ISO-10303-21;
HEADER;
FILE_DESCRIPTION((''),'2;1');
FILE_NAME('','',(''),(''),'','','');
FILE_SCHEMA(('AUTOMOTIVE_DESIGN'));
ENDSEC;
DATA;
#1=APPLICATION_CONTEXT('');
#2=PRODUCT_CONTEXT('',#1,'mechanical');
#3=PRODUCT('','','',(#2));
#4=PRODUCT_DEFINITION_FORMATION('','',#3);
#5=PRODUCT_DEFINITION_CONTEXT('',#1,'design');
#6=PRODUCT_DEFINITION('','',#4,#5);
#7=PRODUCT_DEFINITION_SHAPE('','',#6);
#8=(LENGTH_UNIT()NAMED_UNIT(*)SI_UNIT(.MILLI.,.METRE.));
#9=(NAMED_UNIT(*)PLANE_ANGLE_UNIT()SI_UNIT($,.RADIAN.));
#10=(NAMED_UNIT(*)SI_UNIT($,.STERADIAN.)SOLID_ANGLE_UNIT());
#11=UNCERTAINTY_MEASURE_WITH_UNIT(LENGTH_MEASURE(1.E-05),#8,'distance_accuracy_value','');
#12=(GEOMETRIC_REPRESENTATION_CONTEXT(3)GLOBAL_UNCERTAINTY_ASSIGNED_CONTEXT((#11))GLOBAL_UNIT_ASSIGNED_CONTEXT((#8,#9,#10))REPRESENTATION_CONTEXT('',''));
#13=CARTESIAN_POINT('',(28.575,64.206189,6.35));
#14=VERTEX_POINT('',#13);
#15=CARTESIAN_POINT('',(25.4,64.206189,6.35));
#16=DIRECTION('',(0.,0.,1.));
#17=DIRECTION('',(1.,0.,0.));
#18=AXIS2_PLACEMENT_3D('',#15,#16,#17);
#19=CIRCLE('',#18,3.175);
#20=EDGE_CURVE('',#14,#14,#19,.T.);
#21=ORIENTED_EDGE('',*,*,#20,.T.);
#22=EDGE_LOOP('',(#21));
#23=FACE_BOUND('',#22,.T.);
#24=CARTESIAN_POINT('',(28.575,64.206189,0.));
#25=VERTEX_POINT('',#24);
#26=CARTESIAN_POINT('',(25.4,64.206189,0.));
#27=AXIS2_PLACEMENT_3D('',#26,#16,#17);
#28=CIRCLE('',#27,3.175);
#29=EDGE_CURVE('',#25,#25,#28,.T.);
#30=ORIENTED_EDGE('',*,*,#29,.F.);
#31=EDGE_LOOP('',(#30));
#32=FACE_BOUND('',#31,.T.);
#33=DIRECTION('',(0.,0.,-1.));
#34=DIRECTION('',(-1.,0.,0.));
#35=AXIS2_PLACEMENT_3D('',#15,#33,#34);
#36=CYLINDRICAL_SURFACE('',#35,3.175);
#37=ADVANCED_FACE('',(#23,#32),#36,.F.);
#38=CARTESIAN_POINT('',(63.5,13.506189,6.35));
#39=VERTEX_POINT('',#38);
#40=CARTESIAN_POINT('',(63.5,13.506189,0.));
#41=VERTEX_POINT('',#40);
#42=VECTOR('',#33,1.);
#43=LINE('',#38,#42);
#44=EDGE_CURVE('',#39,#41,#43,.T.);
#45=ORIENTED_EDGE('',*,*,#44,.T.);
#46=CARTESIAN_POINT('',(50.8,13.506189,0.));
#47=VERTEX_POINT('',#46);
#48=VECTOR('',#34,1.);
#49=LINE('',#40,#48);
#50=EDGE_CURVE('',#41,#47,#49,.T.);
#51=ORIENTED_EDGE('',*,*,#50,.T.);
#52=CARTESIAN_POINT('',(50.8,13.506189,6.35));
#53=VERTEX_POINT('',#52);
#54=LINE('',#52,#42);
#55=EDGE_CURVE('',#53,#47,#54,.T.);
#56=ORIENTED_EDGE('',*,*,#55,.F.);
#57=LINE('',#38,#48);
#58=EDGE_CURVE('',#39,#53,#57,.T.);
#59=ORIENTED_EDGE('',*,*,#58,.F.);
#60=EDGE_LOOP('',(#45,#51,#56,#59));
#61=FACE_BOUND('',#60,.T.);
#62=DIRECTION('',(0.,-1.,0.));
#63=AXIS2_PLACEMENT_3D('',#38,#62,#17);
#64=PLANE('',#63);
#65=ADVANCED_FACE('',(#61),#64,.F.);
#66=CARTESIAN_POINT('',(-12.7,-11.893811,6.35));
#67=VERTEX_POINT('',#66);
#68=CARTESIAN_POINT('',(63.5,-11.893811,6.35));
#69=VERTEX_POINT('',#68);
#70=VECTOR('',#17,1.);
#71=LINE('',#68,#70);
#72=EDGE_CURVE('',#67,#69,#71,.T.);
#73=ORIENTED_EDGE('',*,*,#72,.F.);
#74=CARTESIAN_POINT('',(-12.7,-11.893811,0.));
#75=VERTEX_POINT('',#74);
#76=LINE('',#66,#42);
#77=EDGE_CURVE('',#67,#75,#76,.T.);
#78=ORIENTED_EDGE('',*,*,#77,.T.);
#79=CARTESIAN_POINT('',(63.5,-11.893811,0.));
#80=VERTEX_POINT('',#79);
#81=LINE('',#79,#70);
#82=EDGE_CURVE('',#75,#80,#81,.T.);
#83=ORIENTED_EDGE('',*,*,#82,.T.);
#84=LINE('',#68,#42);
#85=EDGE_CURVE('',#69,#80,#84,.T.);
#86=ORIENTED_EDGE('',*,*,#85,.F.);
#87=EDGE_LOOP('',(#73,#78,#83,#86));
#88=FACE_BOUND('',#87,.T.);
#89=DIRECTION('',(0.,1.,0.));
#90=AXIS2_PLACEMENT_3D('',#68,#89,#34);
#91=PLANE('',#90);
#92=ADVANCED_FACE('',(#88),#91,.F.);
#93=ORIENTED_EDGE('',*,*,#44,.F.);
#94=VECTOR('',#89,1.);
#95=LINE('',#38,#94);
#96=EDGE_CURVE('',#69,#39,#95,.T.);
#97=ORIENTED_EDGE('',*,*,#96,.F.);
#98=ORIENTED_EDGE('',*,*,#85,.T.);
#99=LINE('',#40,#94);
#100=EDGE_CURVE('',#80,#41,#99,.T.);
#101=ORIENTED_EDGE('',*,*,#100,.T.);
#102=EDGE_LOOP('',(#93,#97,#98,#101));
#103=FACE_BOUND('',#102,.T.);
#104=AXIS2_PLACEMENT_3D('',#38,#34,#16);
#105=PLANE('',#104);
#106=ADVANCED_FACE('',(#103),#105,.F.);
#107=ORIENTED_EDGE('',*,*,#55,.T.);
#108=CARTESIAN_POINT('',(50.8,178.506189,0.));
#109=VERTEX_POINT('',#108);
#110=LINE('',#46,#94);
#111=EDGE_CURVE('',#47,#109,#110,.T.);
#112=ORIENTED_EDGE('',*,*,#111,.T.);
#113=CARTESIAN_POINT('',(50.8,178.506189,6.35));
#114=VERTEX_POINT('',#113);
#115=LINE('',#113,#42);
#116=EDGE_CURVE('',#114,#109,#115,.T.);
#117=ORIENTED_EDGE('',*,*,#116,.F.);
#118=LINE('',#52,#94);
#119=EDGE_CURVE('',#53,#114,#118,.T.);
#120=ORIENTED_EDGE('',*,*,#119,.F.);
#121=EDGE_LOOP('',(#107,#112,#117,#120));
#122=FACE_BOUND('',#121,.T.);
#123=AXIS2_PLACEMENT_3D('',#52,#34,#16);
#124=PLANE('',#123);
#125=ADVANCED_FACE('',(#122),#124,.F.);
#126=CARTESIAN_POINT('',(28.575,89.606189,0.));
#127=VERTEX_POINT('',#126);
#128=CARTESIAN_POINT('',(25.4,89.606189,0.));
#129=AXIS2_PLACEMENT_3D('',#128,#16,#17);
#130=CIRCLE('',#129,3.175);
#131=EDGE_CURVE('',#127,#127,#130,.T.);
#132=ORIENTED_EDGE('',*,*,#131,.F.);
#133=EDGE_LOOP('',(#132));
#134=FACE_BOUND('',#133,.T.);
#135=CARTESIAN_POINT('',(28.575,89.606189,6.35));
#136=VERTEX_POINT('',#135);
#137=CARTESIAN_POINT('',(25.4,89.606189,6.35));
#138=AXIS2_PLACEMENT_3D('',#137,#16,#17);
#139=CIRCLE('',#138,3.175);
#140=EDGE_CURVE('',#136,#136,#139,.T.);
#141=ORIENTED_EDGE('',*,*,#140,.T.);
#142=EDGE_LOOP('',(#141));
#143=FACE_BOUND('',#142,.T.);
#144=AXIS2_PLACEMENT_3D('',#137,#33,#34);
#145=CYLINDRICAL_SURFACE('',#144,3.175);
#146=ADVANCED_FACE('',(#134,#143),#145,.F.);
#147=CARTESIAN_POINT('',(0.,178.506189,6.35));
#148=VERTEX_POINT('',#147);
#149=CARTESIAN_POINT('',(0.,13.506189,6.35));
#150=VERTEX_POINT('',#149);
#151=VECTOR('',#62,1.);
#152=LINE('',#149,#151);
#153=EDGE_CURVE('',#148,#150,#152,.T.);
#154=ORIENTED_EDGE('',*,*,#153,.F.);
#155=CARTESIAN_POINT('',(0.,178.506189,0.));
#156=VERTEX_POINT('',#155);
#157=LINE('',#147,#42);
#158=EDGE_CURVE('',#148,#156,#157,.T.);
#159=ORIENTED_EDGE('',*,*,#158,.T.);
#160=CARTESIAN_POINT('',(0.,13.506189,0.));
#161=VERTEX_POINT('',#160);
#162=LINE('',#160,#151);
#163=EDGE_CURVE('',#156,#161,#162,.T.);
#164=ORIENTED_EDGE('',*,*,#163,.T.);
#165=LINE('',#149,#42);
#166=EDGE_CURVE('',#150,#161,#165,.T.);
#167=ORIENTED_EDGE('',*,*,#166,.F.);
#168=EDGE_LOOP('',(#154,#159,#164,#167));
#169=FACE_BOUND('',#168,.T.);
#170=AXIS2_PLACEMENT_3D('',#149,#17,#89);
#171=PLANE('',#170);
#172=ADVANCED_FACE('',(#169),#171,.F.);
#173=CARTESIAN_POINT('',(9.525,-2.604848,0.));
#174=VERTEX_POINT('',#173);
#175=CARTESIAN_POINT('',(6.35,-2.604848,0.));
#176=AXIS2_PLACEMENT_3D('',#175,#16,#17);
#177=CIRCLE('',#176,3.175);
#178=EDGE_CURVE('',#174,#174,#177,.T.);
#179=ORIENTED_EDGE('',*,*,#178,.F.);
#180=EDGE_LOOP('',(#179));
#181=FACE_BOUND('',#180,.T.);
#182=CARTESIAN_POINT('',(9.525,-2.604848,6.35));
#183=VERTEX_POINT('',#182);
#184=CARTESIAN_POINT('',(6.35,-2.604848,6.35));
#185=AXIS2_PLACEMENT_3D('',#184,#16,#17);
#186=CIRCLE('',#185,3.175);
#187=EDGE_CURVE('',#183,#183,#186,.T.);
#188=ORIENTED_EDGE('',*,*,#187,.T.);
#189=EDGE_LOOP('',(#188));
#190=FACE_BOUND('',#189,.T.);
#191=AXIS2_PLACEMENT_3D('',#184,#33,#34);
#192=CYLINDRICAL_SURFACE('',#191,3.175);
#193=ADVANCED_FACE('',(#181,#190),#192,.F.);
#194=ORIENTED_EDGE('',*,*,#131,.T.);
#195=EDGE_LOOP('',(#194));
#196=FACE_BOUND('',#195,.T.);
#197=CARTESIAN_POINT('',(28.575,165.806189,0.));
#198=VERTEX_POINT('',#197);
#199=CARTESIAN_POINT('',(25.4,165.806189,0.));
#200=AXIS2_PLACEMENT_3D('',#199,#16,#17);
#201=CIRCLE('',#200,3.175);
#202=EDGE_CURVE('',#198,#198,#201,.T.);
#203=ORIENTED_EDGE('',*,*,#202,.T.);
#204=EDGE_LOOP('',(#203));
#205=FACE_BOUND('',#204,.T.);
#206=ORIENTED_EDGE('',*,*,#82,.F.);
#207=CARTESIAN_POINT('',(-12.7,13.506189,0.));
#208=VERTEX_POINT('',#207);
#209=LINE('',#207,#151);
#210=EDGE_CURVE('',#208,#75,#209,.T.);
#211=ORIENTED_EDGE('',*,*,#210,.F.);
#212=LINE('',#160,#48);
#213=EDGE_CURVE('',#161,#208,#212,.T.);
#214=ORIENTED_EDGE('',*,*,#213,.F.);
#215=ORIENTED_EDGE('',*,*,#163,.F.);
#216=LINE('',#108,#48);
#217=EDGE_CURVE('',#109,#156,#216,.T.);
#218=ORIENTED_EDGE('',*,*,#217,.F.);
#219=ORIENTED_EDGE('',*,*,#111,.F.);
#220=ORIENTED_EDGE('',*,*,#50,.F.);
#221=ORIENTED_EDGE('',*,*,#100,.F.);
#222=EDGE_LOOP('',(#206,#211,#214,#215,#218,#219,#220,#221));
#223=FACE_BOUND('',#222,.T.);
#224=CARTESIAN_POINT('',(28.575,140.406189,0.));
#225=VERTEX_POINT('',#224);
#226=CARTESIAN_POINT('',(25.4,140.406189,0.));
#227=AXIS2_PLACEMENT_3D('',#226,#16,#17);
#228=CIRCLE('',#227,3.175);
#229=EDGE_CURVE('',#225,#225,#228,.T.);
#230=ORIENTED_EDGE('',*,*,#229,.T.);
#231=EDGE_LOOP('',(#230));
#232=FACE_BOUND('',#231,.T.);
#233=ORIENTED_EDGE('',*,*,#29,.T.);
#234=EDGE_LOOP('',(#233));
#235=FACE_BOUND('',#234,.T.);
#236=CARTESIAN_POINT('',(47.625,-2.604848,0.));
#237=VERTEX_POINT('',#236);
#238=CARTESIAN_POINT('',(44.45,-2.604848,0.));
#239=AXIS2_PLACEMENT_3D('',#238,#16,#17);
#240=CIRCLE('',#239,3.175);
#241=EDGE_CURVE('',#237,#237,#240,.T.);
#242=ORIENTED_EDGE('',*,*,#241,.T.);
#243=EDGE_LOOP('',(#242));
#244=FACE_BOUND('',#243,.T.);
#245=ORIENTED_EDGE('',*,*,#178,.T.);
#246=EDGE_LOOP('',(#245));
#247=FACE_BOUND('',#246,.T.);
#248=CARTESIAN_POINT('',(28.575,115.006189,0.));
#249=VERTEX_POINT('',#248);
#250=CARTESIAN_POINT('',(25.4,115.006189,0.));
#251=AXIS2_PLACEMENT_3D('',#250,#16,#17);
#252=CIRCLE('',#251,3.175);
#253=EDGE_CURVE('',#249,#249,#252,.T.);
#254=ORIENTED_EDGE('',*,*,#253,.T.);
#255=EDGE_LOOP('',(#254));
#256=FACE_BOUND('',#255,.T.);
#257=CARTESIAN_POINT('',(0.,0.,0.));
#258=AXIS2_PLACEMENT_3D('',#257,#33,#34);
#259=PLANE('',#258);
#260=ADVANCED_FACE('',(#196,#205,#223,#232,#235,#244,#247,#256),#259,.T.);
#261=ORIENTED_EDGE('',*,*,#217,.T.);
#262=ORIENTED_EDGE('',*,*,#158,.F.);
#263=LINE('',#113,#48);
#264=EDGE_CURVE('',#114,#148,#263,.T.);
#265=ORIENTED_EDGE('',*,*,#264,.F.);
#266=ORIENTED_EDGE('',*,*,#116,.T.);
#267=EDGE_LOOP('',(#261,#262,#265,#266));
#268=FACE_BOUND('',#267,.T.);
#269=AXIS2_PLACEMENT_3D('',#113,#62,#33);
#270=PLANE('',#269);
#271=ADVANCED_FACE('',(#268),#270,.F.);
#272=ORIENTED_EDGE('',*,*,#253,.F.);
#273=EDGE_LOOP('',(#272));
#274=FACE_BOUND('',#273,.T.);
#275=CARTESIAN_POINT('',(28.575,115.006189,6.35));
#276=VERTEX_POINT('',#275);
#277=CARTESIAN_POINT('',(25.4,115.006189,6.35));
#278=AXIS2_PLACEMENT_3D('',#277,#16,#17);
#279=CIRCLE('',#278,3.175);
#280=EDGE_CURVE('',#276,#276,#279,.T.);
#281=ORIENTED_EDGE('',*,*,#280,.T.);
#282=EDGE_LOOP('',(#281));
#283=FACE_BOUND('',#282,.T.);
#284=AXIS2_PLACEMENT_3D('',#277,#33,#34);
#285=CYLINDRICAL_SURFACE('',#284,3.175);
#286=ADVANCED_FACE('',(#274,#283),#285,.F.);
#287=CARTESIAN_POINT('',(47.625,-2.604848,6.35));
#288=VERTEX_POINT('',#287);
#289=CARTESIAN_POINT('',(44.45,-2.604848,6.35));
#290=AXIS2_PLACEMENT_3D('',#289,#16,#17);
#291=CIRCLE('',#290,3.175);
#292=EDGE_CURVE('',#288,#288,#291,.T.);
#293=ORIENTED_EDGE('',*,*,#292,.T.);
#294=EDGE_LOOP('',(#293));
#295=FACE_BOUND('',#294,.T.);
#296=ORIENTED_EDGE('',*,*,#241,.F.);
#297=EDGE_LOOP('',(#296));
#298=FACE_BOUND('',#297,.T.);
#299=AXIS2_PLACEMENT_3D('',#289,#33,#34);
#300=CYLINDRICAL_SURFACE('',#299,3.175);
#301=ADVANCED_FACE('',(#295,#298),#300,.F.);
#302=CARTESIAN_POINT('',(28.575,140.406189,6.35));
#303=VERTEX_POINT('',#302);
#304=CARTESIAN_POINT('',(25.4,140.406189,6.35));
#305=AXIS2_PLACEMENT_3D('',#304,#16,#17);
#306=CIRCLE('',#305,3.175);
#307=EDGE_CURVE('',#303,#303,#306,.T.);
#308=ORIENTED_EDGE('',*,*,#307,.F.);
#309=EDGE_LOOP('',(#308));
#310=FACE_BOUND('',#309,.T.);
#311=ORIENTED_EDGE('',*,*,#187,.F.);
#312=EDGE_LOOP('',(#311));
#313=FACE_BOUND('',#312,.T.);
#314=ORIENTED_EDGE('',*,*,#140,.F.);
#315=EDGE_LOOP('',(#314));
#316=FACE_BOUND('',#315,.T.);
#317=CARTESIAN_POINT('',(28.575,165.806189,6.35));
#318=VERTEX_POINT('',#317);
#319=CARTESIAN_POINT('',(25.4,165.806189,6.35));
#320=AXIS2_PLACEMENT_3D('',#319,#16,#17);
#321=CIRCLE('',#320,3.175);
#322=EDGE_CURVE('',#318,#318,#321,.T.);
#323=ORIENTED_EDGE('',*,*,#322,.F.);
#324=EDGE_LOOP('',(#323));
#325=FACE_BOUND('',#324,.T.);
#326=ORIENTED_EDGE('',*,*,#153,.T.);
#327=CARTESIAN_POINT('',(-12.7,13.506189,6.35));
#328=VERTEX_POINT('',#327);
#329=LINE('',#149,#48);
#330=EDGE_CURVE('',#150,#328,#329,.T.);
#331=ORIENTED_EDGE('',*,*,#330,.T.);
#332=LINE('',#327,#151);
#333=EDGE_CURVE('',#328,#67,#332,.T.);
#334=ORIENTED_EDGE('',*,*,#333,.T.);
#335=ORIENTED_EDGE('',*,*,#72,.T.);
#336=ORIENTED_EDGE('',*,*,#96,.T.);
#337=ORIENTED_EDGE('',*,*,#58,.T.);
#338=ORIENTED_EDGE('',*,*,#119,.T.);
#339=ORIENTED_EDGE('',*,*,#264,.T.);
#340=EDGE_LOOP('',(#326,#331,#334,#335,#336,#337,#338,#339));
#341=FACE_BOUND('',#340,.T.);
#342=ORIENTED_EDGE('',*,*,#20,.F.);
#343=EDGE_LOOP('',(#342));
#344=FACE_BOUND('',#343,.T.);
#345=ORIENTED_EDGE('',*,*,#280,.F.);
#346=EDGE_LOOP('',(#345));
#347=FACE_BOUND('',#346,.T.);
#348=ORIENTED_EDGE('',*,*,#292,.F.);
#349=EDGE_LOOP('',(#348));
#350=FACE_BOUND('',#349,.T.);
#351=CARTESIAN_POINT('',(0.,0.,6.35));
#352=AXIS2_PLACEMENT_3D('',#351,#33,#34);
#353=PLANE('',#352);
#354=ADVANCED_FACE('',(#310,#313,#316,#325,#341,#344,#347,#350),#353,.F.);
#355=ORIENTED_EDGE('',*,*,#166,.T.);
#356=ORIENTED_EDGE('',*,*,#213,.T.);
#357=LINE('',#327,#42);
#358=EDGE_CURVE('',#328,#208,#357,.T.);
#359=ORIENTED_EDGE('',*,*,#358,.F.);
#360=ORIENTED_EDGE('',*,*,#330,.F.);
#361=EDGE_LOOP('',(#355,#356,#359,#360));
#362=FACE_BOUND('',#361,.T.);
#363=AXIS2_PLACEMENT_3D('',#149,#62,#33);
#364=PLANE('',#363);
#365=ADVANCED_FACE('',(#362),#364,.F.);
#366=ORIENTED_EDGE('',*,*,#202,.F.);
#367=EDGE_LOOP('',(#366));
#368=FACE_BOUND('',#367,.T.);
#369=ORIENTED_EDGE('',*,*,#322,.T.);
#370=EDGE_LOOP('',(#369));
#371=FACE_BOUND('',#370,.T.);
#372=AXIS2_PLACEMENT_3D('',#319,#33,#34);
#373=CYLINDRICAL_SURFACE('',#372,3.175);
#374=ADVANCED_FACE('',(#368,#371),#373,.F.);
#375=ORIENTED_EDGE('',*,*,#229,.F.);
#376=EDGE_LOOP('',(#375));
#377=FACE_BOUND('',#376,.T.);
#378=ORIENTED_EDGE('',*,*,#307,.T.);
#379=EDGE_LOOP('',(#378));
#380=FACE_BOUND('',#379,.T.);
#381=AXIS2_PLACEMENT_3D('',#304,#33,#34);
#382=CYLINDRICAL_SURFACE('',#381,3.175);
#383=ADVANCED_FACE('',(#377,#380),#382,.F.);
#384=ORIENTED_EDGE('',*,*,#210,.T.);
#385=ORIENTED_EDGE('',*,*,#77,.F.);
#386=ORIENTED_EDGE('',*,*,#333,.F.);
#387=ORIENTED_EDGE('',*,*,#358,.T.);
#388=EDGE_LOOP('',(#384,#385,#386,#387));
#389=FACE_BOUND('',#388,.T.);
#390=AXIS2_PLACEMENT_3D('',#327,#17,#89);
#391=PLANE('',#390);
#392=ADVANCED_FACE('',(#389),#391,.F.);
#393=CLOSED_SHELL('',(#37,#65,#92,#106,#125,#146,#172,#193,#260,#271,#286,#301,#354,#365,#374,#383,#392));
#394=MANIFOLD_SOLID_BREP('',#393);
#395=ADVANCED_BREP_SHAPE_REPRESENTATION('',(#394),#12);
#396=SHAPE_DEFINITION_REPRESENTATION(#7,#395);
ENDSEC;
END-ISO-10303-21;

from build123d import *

# Parameters (mm, degrees)
SKETCH1_R           = 3.175
BOSS_EXTRUDE1_DEPTH = 6.35


with BuildPart() as part:
    # Sketch1 → Boss-Extrude1 (new body)
    with BuildSketch(Plane.XY):
        Polygon((0, 13.506188545), (0, 178.506188545), (50.8, 178.506188545), (50.8, 13.506188545), (63.5, 13.506188545), (63.5, -11.893811455), (-12.7, -11.893811455), (-12.7, 13.506188545), align=None)
        with Locations((6.35, -2.604847725)):
            Circle(SKETCH1_R, mode=Mode.SUBTRACT)
        with Locations((44.45, -2.604847725)):
            Circle(SKETCH1_R, mode=Mode.SUBTRACT)
        with Locations((25.4, 165.806188545)):
            Circle(SKETCH1_R, mode=Mode.SUBTRACT)
        with Locations((25.4, 140.406188545)):
            Circle(SKETCH1_R, mode=Mode.SUBTRACT)
        with Locations((25.4, 115.006188545)):
            Circle(SKETCH1_R, mode=Mode.SUBTRACT)
        with Locations((25.4, 89.606188545)):
            Circle(SKETCH1_R, mode=Mode.SUBTRACT)
        with Locations((25.4, 64.206188545)):
            Circle(SKETCH1_R, mode=Mode.SUBTRACT)
    extrude(amount=BOSS_EXTRUDE1_DEPTH)


solid = part.part
